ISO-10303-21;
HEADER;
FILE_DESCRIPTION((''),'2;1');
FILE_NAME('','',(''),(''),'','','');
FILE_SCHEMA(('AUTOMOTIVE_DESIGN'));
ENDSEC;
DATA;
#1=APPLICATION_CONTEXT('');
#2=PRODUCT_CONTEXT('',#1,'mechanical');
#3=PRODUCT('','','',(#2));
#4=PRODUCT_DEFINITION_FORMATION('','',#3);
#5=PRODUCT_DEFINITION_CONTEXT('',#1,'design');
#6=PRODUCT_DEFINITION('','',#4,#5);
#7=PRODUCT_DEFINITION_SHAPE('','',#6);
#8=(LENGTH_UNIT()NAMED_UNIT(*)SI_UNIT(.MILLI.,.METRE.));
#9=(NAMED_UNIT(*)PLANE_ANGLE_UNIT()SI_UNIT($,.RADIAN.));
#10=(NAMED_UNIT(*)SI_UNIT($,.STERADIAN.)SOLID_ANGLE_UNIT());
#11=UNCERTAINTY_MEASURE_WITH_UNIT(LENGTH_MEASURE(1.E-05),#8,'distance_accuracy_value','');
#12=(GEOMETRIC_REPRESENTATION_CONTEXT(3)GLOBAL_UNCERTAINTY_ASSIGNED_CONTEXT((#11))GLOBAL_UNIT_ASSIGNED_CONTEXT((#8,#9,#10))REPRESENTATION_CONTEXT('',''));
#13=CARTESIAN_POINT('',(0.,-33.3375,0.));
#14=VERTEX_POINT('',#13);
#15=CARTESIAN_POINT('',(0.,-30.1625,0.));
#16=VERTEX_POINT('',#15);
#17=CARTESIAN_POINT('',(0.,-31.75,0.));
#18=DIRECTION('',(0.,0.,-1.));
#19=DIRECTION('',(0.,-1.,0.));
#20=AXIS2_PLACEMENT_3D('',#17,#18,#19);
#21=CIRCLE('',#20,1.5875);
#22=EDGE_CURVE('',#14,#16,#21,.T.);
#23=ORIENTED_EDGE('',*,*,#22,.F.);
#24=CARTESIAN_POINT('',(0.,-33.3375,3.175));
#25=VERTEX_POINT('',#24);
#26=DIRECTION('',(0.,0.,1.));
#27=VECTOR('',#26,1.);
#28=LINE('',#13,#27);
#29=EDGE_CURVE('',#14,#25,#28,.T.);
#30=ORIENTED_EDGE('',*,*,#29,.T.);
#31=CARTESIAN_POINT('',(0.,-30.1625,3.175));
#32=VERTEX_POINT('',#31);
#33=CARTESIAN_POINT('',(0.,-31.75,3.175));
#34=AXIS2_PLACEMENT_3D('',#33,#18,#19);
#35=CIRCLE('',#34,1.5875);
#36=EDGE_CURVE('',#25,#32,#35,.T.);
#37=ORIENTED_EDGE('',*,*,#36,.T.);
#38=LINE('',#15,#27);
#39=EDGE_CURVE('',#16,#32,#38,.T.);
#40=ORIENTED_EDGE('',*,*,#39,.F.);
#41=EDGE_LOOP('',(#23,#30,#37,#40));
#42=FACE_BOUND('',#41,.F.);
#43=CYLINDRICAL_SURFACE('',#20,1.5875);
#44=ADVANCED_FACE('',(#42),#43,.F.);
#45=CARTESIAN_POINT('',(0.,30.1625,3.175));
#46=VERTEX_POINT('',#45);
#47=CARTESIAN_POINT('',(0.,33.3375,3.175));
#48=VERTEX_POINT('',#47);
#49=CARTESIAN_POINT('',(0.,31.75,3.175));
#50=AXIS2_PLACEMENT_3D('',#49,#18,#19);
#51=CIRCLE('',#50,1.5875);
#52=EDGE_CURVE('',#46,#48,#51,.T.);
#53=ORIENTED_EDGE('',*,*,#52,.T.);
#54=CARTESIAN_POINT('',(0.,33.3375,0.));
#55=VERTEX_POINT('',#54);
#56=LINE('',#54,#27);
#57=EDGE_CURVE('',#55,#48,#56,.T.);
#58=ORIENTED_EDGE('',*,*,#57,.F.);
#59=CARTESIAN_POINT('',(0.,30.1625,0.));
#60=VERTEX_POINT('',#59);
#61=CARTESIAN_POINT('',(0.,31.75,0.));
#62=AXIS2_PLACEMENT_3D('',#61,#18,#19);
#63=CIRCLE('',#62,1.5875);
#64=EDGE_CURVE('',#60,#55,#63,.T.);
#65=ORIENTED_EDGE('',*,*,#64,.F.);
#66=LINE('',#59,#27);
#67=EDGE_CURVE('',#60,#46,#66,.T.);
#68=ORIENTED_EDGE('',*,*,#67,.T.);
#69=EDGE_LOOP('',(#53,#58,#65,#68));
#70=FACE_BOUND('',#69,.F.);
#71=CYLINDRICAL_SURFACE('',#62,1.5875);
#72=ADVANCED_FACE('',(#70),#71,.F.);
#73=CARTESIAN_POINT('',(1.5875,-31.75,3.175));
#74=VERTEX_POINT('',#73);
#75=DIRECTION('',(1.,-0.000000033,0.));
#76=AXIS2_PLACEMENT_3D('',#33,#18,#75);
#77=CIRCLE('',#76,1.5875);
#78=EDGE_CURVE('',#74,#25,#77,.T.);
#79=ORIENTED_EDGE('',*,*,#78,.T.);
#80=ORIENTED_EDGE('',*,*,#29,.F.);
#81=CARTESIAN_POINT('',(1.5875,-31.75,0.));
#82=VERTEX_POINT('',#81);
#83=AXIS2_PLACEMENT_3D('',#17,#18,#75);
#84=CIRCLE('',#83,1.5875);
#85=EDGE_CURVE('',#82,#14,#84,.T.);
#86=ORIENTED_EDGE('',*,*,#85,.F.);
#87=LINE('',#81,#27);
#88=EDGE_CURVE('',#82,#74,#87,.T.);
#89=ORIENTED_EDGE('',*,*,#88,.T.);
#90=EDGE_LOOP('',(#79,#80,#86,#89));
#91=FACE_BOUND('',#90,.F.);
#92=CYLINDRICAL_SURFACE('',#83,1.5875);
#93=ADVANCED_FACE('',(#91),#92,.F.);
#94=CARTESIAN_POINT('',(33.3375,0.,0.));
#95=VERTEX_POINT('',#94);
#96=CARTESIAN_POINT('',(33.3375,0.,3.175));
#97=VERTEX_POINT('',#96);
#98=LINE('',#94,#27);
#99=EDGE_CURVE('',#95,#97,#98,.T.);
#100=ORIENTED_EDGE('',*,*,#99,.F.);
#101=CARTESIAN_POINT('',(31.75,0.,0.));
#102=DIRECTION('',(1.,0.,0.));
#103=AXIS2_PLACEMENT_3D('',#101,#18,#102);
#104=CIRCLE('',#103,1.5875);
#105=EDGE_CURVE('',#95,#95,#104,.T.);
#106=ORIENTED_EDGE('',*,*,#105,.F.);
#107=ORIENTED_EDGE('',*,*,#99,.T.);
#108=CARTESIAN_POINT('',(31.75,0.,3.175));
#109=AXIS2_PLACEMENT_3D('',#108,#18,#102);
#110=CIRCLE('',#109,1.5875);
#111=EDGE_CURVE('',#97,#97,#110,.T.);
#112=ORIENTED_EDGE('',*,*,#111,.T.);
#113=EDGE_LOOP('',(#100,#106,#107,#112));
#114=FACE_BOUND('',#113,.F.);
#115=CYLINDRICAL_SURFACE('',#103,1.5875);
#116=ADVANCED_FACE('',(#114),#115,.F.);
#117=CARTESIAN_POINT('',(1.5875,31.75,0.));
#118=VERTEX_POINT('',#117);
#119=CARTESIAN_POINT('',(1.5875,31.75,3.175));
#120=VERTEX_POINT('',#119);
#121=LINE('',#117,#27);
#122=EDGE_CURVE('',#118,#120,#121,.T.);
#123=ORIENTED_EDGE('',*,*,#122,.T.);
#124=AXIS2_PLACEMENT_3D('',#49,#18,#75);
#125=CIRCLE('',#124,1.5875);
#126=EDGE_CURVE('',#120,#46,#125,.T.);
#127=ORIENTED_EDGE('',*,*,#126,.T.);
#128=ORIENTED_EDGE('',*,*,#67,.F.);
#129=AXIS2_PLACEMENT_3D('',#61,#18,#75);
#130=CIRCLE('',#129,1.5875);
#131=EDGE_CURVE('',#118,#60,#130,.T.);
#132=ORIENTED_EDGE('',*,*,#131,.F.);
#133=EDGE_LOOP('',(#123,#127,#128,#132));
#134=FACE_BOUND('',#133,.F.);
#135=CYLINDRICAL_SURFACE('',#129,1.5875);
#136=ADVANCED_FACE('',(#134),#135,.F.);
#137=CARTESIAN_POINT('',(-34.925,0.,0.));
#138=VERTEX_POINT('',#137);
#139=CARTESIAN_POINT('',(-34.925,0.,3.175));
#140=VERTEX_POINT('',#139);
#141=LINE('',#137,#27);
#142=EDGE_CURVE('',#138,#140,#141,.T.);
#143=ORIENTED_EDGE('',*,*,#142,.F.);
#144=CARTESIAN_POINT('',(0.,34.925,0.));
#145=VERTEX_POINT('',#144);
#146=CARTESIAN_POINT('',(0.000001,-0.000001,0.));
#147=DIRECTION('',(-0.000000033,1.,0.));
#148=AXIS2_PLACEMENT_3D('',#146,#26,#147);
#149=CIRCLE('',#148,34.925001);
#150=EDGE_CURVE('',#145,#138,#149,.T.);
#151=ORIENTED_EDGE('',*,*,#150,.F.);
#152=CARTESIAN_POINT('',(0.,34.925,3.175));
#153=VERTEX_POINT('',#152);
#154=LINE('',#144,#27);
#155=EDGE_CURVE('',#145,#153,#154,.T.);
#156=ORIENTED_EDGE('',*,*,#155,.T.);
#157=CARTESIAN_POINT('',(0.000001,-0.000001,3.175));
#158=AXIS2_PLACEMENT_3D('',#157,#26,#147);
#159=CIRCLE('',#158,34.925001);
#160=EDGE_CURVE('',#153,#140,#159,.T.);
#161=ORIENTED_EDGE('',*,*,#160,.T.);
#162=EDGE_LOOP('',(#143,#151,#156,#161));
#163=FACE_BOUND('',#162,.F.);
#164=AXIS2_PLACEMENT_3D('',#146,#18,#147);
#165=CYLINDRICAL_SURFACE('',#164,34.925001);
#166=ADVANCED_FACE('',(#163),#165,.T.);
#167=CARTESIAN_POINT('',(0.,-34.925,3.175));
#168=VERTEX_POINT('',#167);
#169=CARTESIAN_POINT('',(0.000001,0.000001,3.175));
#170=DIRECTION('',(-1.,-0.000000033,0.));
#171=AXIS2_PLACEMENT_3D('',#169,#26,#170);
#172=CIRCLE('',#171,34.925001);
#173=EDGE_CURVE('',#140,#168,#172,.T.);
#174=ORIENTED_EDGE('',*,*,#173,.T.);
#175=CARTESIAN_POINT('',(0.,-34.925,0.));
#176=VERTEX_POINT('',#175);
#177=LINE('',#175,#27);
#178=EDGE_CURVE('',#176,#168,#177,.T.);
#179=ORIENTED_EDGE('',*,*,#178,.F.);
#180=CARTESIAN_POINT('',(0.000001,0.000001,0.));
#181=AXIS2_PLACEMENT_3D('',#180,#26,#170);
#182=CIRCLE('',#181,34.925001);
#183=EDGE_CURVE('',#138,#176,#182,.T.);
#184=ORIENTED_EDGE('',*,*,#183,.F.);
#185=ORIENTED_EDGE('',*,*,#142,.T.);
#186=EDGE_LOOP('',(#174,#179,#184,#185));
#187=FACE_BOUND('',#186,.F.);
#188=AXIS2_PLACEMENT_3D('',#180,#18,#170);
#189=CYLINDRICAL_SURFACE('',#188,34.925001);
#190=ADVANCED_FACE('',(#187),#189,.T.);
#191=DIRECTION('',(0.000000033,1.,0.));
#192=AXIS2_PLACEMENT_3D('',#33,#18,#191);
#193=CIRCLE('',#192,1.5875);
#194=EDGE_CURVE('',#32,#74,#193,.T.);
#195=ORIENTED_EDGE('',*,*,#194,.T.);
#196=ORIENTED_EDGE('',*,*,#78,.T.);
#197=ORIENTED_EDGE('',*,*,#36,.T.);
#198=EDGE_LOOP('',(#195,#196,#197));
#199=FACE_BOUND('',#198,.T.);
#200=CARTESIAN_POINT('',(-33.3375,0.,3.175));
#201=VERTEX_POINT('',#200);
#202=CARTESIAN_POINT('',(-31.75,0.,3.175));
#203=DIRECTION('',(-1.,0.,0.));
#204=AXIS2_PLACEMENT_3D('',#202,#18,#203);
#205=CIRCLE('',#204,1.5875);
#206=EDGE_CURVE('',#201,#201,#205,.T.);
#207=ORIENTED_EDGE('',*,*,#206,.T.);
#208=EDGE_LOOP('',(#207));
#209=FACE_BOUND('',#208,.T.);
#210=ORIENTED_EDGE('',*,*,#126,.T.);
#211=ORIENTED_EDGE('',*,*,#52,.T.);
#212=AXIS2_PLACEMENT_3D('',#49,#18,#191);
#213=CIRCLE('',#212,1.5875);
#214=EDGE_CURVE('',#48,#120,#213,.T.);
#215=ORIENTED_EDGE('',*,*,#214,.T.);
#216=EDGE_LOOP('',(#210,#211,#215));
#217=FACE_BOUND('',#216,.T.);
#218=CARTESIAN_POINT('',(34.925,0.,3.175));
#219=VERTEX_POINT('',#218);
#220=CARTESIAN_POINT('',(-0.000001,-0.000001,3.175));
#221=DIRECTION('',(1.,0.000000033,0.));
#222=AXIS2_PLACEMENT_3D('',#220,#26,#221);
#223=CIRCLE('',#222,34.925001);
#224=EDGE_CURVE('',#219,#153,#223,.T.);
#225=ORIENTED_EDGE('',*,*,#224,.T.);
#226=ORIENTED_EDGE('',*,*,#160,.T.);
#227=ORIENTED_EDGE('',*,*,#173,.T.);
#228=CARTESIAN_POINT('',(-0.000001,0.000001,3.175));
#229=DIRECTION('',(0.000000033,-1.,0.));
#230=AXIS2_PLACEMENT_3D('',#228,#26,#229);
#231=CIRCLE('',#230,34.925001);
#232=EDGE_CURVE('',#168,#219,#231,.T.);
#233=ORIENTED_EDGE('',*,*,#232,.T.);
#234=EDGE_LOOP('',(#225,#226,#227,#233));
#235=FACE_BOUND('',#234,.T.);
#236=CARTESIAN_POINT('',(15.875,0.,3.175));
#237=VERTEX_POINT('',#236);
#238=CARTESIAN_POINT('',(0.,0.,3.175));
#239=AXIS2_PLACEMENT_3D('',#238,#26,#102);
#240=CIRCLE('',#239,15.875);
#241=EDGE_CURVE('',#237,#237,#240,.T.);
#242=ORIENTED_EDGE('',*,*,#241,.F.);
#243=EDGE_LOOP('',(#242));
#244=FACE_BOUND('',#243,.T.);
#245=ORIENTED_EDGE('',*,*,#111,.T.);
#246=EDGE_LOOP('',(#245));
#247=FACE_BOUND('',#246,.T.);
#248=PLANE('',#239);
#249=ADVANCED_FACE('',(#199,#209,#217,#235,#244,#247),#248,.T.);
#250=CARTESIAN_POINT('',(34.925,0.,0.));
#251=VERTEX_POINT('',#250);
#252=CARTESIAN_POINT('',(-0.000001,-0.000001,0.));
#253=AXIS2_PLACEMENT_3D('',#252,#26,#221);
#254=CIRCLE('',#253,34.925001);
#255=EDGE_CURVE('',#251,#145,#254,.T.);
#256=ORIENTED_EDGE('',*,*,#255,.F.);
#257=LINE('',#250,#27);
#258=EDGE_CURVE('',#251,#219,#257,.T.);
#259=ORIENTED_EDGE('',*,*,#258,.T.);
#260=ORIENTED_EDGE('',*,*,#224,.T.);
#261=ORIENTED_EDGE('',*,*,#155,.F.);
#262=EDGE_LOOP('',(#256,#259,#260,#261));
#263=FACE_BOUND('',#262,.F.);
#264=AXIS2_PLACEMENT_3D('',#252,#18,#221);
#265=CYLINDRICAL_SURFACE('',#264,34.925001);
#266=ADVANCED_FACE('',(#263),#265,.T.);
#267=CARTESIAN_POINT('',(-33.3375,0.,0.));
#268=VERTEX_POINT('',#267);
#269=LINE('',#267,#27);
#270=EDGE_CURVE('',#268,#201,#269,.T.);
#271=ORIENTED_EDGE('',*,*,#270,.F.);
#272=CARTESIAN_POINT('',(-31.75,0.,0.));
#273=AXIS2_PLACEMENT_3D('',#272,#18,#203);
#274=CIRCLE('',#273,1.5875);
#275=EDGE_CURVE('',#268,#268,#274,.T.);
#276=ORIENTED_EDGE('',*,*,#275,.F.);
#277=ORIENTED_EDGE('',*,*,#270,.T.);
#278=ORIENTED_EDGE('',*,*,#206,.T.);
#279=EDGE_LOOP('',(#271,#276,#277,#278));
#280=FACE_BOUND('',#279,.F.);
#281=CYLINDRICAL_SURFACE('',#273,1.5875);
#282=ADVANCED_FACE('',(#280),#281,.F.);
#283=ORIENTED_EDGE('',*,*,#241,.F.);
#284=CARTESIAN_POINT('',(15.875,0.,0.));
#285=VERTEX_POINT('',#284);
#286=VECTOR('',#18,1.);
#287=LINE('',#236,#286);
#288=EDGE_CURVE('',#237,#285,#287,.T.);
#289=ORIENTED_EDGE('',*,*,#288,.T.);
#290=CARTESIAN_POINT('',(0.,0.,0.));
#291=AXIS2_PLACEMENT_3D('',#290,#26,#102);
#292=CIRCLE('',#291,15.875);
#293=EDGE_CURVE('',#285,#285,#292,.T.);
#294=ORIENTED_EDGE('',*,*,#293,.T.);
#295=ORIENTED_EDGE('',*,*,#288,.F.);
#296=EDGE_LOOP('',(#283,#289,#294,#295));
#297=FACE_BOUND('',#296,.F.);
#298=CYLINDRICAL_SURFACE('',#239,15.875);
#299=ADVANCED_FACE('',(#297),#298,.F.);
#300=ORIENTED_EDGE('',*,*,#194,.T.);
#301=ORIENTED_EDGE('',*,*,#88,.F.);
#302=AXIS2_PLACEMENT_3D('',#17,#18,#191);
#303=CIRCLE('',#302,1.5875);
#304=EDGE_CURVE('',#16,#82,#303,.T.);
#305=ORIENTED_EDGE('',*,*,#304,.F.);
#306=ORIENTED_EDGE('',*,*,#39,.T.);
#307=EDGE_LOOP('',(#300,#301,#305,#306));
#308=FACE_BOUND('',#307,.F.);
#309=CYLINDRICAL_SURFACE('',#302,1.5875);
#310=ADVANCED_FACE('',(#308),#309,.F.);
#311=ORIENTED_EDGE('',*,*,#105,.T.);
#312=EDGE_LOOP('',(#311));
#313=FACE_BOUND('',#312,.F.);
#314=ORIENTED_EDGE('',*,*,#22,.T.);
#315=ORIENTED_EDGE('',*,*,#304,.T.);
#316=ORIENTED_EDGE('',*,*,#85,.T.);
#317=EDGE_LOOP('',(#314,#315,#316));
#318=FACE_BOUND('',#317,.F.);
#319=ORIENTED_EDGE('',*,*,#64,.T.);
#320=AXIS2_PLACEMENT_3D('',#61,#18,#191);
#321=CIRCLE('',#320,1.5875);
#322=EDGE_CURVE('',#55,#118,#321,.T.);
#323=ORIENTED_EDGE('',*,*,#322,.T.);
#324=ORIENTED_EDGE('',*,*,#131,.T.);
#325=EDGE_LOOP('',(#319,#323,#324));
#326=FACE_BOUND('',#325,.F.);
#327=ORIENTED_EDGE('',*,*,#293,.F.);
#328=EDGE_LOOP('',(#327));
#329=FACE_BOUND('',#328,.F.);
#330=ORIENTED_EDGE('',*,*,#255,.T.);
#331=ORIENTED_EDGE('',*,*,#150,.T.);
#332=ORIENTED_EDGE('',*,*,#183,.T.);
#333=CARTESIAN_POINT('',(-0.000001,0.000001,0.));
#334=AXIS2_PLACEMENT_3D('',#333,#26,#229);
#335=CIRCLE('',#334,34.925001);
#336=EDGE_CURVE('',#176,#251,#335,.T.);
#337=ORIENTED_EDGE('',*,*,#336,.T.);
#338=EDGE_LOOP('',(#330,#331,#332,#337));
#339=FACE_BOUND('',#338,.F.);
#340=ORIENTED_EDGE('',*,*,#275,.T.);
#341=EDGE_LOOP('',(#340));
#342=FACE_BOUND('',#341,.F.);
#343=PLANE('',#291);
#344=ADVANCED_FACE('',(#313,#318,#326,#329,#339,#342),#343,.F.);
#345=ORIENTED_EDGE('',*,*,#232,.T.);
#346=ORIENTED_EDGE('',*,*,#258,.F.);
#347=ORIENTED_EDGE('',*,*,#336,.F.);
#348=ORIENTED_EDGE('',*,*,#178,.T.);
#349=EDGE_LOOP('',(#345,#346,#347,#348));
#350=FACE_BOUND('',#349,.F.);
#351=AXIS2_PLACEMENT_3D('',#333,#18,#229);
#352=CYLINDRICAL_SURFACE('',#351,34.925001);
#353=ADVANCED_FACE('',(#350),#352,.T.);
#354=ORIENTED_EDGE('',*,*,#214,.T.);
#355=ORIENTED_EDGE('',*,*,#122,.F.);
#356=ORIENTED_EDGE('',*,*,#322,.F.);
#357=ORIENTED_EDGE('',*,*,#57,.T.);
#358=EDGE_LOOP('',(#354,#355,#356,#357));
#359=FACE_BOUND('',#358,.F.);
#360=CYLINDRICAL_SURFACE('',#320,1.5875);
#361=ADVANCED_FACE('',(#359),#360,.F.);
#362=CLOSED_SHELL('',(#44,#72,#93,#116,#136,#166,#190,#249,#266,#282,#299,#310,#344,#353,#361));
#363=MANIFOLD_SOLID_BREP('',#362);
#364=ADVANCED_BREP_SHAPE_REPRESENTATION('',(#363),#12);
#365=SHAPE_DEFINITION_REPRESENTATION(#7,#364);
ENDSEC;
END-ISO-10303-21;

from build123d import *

# Parameters (mm, degrees)
F1_DEPTH = 3.175
F2_R     = 15.875
F3_DEPTH = 25.4


with BuildPart() as f1:
    # F0 (on Top) → F1 (new body)
    with BuildSketch(Plane.XY):
        with BuildLine():
            ThreePointArc((0, -34.925), (24.695704, -24.695704), (34.925, 0))
            ThreePointArc((34.925, 0), (24.695704, 24.695704), (0, 34.925))
            ThreePointArc((0, 34.925), (-24.695704, 24.695704), (-34.925, 0))
            ThreePointArc((-34.925, 0), (-24.695704, -24.695704), (0, -34.925))
        make_face()
        with BuildLine():
            ThreePointArc((1.5875, -31.75), (1.122532, -32.872532), (0, -33.3375))
            ThreePointArc((0, -33.3375), (-1.5875, -31.75), (0, -30.1625))
            ThreePointArc((0, -30.1625), (1.122532, -30.627468), (1.5875, -31.75))
        make_face(mode=Mode.SUBTRACT)
        with BuildLine():
            ThreePointArc((-30.1625, 0), (-31.75, -1.5875), (-33.3375, 0))
            ThreePointArc((-33.3375, 0), (-31.75, 1.5875), (-30.1625, 0))
        make_face(mode=Mode.SUBTRACT)
        with BuildLine():
            ThreePointArc((30.1625, 0), (31.75, 1.5875), (33.3375, 0))
            ThreePointArc((33.3375, 0), (31.75, -1.5875), (30.1625, 0))
        make_face(mode=Mode.SUBTRACT)
        with BuildLine():
            ThreePointArc((0, 30.1625), (-1.5875, 31.75), (0, 33.3375))
            ThreePointArc((0, 33.3375), (1.122532, 32.872532), (1.5875, 31.75))
            ThreePointArc((1.5875, 31.75), (1.122532, 30.627468), (0, 30.1625))
        make_face(mode=Mode.SUBTRACT)
    extrude(amount=F1_DEPTH)

    # F2 (on face) → F3 (cut)
    with BuildSketch(Plane.XY.offset(3.175)):
        Circle(F2_R)
    extrude(amount=-F3_DEPTH, mode=Mode.SUBTRACT)


solid = f1.part
